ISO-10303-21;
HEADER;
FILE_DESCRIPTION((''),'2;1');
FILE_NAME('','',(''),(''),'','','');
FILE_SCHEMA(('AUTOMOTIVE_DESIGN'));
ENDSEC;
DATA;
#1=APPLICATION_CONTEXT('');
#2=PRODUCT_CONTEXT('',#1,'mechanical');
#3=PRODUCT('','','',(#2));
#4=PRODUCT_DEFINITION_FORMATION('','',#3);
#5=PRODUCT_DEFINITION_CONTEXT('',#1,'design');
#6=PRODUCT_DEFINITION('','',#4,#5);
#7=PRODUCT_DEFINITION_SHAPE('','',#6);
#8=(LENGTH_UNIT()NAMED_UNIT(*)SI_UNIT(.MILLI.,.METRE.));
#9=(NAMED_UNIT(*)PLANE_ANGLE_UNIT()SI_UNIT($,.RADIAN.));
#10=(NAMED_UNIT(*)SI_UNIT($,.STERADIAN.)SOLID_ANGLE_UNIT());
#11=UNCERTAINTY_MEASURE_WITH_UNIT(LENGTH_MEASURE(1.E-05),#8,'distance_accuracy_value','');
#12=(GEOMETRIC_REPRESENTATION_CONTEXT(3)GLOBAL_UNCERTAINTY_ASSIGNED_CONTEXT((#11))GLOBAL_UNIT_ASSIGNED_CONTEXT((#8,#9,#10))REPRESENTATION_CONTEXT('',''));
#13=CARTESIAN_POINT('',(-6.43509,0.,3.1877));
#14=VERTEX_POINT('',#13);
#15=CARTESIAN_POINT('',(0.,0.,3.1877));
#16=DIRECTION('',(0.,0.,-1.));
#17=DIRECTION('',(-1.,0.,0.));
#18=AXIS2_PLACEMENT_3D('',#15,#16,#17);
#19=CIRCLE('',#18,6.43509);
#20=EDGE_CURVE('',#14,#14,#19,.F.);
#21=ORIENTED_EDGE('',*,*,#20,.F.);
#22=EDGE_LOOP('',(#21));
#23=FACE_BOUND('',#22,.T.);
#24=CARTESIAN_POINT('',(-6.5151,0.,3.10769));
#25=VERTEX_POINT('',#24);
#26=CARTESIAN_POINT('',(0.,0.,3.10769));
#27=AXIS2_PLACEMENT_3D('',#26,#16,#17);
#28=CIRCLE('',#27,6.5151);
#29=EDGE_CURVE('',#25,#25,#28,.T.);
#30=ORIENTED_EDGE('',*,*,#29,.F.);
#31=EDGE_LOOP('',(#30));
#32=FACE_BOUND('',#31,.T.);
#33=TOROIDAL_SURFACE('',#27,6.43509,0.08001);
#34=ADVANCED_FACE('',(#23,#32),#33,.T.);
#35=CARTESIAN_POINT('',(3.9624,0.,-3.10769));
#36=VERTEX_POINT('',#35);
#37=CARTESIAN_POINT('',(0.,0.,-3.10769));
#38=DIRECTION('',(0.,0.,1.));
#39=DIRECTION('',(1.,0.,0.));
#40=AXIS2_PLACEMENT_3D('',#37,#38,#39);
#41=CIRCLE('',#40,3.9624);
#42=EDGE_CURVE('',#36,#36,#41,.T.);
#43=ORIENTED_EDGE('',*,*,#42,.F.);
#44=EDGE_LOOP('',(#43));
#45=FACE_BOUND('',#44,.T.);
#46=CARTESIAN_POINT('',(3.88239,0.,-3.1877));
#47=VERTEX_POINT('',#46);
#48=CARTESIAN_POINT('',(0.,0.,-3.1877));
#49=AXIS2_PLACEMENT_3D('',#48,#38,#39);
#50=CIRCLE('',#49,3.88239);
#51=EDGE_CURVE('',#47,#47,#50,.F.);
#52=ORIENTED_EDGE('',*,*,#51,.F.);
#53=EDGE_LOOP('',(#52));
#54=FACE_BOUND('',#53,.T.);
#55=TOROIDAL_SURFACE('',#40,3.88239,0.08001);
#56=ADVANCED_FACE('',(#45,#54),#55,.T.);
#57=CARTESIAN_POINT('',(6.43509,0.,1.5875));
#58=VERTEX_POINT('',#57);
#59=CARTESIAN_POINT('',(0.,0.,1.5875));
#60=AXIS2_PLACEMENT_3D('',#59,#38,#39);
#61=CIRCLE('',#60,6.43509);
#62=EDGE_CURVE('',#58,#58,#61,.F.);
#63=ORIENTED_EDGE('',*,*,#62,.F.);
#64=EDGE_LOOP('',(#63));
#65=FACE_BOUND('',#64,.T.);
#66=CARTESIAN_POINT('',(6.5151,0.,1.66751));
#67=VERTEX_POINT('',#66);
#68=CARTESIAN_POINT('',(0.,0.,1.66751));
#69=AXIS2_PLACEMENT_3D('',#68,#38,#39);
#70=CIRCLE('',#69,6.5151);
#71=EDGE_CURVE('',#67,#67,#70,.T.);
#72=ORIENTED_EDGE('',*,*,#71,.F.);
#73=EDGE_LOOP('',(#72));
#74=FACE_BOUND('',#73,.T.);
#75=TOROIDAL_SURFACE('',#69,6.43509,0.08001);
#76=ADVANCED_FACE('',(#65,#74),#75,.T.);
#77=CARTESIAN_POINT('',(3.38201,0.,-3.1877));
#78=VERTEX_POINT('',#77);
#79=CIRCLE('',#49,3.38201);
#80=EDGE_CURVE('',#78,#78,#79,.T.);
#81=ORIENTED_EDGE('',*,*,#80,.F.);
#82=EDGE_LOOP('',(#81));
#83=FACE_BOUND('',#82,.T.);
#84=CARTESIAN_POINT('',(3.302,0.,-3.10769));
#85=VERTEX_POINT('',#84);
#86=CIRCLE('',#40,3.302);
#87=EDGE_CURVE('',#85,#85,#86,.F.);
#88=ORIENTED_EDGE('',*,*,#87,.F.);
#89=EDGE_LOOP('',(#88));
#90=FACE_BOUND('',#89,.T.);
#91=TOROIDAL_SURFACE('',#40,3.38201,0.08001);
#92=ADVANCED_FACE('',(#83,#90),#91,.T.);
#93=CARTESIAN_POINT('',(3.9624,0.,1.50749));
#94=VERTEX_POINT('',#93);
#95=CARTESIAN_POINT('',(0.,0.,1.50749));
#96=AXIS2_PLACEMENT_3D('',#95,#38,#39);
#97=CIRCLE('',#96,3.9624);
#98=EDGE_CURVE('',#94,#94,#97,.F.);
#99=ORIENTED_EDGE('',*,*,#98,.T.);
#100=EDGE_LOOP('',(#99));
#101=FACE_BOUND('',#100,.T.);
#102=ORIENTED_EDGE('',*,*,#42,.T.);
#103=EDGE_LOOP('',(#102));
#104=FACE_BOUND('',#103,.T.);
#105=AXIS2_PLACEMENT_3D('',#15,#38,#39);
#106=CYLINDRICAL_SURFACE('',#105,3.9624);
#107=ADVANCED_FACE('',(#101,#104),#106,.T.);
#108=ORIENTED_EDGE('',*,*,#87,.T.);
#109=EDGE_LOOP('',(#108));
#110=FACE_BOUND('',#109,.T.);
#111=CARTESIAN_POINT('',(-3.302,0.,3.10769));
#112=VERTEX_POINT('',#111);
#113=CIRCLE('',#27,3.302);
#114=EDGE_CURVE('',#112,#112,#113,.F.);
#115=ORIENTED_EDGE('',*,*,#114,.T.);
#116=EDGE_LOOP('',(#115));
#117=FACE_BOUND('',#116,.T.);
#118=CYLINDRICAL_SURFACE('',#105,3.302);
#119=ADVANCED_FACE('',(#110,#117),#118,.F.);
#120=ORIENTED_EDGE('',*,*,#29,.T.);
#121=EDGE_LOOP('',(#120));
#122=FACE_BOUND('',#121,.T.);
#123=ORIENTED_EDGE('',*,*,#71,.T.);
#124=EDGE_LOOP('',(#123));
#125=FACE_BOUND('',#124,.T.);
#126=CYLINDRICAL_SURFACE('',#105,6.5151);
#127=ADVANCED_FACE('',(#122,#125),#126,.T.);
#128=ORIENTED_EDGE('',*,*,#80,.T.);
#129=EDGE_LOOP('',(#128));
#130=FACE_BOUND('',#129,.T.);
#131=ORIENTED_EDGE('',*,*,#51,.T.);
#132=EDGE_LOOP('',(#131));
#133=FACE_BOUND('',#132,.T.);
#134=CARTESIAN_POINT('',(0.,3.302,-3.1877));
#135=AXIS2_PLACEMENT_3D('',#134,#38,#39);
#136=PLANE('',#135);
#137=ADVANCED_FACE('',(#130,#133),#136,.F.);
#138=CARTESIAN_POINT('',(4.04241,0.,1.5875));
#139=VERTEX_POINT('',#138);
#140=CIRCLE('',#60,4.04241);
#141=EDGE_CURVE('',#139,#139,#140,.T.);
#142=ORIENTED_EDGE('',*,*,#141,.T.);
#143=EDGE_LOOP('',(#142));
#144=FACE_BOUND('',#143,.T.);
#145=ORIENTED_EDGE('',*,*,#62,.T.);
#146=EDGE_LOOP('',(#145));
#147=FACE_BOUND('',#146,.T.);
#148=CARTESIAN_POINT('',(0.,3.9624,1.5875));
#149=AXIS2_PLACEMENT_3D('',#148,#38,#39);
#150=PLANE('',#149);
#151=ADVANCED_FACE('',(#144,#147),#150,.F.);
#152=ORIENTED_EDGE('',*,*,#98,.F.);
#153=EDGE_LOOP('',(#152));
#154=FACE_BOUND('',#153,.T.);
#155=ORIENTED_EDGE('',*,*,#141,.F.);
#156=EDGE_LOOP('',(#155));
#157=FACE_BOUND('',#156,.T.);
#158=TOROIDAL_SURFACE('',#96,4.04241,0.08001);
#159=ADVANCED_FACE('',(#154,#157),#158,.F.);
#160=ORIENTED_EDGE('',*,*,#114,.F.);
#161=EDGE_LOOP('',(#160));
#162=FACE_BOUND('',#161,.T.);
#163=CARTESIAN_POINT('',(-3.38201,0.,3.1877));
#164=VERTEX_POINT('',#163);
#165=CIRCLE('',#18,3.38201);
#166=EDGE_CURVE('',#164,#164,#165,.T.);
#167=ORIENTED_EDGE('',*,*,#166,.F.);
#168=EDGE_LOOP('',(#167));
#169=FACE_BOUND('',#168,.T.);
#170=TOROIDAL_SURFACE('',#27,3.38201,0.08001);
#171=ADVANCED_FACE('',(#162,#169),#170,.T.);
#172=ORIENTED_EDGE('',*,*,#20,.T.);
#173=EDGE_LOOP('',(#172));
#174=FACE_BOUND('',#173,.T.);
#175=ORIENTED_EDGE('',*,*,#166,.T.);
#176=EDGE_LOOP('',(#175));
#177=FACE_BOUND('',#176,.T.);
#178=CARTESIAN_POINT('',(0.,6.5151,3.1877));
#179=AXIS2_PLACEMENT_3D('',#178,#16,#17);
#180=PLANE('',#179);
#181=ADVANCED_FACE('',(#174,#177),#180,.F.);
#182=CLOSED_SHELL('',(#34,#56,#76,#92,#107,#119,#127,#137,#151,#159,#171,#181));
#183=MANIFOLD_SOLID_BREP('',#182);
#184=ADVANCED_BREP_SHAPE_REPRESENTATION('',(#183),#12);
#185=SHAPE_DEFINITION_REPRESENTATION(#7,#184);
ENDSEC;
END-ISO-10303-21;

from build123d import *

# Parameters (mm, degrees)
FILLET1_R = 0.08001


with BuildPart() as part:
    # Sketch2 → Revolve1 (revolve)
    with BuildSketch(Plane(origin=(0, 0, 0), x_dir=(0, 0, -1), z_dir=(1, 0, 0)), mode=Mode.PRIVATE) as revolve1_sk:
        Polygon((-3.1877, 3.302), (3.1877, 3.302), (3.1877, 3.9624), (-1.5875, 3.9624), (-1.5875, 6.5151), (-3.1877, 6.5151), align=None)
    revolve(revolve1_sk.sketch.rotate(Axis((0, 0, 3.1877), (0, 0, -1)), 90), axis=Axis((0, 0, 3.1877), (0, 0, -1)))

    # Fillet1
    fillet1_edges = [part.edges().sort_by_distance(p)[0] for p in [
        (-6.5151, 0, 3.1877),
        (-6.5151, 0, 1.5875),
        (-3.9624, 0, 1.5875),
        (-3.9624, 0, -3.1877),
        (-3.302, 0, -3.1877),
        (-3.302, 0, 3.1877),
    ]]
    fillet(fillet1_edges, radius=FILLET1_R)


solid = part.part
